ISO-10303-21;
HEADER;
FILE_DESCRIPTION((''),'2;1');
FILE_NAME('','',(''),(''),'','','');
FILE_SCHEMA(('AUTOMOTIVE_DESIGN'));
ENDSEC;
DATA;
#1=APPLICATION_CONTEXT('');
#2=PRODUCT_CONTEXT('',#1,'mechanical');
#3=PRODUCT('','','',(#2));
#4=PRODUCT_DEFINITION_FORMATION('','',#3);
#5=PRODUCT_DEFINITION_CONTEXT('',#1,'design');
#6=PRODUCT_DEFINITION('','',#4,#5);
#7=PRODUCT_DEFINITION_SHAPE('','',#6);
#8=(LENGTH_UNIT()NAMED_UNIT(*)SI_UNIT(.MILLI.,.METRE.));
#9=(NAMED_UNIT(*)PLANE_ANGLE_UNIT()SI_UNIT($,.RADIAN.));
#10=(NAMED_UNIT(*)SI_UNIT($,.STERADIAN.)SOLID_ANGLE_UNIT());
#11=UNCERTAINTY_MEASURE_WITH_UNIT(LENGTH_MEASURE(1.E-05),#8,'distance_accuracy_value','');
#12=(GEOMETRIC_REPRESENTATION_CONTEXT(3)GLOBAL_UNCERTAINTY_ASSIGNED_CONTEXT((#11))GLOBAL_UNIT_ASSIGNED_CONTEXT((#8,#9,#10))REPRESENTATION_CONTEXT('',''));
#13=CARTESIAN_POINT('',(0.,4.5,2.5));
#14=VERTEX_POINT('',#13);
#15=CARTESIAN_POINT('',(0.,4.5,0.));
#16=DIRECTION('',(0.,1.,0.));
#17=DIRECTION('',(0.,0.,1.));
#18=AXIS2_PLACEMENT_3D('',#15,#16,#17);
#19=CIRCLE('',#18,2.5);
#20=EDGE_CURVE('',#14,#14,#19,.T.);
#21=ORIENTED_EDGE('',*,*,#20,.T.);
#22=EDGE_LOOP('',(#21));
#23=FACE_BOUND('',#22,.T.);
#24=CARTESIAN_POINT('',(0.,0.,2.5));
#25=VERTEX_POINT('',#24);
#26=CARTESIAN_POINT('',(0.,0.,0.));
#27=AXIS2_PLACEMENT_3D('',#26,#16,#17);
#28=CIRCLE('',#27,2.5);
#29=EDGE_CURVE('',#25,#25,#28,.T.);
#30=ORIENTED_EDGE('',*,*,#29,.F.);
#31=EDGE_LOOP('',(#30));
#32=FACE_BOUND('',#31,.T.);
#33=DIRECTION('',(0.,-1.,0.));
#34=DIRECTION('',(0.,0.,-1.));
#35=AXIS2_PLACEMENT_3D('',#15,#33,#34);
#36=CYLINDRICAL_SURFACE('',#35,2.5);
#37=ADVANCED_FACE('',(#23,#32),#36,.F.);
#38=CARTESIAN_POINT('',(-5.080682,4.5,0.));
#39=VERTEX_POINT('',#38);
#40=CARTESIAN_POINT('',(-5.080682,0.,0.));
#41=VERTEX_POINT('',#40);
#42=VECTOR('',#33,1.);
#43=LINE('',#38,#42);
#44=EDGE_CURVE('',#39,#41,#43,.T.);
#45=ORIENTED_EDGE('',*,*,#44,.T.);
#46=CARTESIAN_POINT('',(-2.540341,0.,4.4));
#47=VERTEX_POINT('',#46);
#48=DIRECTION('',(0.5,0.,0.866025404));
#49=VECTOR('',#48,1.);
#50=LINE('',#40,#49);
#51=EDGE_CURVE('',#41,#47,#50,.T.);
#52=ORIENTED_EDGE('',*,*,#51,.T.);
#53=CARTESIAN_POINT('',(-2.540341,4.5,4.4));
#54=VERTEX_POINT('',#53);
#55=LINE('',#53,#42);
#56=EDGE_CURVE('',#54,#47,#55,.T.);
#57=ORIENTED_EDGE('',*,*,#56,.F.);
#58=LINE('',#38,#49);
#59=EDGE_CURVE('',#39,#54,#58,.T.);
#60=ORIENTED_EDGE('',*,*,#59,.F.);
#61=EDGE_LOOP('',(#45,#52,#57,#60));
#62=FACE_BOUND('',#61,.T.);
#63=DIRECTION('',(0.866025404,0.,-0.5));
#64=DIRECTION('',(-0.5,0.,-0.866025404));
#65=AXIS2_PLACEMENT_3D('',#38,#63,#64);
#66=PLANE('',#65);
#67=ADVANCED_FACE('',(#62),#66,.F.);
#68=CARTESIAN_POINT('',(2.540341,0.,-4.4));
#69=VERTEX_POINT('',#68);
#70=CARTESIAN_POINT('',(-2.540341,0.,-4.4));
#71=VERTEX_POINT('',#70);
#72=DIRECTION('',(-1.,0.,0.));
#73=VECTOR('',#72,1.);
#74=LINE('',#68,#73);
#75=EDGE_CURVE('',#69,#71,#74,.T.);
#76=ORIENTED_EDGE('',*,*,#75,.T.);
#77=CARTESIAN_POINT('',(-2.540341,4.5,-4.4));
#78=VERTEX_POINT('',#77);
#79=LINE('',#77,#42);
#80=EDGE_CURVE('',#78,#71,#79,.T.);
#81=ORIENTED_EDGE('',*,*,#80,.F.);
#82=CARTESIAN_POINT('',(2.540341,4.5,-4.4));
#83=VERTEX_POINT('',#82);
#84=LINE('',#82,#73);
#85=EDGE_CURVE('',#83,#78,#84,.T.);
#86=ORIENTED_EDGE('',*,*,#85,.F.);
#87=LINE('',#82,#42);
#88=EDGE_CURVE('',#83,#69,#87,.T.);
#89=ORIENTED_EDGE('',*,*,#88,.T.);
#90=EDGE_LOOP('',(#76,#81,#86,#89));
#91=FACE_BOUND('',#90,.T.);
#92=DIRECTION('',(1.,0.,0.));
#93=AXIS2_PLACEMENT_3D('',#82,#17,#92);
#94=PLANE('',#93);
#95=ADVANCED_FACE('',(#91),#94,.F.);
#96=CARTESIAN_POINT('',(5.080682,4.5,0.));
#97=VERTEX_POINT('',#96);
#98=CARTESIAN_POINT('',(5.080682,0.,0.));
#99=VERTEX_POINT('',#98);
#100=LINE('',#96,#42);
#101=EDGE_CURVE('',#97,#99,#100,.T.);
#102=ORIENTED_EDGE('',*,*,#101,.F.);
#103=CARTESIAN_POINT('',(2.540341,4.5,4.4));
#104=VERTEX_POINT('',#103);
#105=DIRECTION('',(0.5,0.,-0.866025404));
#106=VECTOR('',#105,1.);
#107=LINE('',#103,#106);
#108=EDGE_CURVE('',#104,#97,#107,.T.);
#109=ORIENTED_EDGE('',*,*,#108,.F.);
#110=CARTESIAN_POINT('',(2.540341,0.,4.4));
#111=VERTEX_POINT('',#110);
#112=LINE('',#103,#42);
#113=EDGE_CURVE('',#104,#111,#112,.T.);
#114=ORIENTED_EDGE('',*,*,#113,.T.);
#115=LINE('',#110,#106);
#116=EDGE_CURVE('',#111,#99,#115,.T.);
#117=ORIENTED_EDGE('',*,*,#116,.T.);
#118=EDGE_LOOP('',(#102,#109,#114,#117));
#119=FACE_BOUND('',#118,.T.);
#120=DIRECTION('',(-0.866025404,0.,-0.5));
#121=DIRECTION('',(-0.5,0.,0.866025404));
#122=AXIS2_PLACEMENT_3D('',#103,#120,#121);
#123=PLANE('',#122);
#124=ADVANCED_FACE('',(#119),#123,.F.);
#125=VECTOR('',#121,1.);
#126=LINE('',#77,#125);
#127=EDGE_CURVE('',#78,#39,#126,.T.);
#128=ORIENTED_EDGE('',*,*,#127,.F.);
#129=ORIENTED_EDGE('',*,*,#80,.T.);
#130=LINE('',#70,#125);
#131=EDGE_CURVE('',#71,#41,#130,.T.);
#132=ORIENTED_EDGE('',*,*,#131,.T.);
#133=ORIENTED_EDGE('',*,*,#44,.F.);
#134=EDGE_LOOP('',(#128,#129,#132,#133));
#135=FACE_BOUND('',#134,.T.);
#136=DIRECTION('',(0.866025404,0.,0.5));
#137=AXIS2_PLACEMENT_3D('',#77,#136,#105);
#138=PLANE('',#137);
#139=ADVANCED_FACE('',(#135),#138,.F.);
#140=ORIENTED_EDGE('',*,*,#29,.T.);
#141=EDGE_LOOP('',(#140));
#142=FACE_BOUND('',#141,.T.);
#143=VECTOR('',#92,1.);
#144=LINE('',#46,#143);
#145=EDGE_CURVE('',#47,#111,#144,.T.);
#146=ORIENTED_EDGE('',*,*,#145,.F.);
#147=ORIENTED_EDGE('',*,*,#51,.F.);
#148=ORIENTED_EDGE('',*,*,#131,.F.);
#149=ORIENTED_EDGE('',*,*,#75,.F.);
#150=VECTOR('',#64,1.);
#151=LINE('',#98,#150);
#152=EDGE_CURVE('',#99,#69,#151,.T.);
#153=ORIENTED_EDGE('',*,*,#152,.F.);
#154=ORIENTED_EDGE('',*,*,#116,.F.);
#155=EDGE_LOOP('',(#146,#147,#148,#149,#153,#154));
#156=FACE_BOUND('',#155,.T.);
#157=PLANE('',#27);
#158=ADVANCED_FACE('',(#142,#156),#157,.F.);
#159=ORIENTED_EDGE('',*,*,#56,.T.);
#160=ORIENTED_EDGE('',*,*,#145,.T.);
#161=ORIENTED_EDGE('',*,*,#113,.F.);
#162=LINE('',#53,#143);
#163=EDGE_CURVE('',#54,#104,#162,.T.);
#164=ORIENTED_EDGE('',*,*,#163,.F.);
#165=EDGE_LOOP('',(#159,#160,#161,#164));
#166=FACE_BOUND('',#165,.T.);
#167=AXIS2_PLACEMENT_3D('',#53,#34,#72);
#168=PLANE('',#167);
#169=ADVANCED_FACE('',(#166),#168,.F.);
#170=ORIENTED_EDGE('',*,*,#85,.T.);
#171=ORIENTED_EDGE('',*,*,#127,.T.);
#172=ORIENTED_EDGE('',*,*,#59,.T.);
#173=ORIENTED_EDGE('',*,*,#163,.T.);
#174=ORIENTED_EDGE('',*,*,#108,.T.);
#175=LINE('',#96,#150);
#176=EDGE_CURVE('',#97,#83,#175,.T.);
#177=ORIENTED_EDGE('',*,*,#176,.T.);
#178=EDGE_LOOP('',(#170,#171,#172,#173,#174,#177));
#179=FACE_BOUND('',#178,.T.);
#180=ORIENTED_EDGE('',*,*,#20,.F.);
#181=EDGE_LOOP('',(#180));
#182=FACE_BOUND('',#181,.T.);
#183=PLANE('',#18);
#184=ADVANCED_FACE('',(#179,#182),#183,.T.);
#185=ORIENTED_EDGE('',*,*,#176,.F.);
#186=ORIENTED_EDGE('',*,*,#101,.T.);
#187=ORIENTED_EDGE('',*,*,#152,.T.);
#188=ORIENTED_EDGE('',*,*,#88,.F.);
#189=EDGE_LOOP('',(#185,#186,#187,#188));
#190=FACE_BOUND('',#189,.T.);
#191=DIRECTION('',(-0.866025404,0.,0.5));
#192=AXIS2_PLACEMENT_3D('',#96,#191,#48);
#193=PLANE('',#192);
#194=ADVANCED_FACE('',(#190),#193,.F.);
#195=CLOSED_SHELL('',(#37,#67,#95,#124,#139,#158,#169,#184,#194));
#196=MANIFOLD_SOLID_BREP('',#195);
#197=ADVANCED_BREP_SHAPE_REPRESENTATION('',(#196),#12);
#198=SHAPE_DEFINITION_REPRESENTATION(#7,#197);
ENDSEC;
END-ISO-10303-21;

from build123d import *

# Parameters (mm, degrees)
SKETCH1_R           = 2.5
BOSS_EXTRUDE1_DEPTH = 4.5


with BuildPart() as part:
    # Sketch1 → Boss-Extrude1 (new body)
    with BuildSketch(Plane(origin=(0, 0, 0), x_dir=(1, 0, 0), z_dir=(0, 1, 0))):
        Polygon((2.540341184, -4.4), (5.080682369, 0), (2.540341184, 4.4), (-2.540341184, 4.4), (-5.080682369, 0), (-2.540341184, -4.4), align=None)
        Circle(SKETCH1_R, mode=Mode.SUBTRACT)
    extrude(amount=BOSS_EXTRUDE1_DEPTH)


solid = part.part
